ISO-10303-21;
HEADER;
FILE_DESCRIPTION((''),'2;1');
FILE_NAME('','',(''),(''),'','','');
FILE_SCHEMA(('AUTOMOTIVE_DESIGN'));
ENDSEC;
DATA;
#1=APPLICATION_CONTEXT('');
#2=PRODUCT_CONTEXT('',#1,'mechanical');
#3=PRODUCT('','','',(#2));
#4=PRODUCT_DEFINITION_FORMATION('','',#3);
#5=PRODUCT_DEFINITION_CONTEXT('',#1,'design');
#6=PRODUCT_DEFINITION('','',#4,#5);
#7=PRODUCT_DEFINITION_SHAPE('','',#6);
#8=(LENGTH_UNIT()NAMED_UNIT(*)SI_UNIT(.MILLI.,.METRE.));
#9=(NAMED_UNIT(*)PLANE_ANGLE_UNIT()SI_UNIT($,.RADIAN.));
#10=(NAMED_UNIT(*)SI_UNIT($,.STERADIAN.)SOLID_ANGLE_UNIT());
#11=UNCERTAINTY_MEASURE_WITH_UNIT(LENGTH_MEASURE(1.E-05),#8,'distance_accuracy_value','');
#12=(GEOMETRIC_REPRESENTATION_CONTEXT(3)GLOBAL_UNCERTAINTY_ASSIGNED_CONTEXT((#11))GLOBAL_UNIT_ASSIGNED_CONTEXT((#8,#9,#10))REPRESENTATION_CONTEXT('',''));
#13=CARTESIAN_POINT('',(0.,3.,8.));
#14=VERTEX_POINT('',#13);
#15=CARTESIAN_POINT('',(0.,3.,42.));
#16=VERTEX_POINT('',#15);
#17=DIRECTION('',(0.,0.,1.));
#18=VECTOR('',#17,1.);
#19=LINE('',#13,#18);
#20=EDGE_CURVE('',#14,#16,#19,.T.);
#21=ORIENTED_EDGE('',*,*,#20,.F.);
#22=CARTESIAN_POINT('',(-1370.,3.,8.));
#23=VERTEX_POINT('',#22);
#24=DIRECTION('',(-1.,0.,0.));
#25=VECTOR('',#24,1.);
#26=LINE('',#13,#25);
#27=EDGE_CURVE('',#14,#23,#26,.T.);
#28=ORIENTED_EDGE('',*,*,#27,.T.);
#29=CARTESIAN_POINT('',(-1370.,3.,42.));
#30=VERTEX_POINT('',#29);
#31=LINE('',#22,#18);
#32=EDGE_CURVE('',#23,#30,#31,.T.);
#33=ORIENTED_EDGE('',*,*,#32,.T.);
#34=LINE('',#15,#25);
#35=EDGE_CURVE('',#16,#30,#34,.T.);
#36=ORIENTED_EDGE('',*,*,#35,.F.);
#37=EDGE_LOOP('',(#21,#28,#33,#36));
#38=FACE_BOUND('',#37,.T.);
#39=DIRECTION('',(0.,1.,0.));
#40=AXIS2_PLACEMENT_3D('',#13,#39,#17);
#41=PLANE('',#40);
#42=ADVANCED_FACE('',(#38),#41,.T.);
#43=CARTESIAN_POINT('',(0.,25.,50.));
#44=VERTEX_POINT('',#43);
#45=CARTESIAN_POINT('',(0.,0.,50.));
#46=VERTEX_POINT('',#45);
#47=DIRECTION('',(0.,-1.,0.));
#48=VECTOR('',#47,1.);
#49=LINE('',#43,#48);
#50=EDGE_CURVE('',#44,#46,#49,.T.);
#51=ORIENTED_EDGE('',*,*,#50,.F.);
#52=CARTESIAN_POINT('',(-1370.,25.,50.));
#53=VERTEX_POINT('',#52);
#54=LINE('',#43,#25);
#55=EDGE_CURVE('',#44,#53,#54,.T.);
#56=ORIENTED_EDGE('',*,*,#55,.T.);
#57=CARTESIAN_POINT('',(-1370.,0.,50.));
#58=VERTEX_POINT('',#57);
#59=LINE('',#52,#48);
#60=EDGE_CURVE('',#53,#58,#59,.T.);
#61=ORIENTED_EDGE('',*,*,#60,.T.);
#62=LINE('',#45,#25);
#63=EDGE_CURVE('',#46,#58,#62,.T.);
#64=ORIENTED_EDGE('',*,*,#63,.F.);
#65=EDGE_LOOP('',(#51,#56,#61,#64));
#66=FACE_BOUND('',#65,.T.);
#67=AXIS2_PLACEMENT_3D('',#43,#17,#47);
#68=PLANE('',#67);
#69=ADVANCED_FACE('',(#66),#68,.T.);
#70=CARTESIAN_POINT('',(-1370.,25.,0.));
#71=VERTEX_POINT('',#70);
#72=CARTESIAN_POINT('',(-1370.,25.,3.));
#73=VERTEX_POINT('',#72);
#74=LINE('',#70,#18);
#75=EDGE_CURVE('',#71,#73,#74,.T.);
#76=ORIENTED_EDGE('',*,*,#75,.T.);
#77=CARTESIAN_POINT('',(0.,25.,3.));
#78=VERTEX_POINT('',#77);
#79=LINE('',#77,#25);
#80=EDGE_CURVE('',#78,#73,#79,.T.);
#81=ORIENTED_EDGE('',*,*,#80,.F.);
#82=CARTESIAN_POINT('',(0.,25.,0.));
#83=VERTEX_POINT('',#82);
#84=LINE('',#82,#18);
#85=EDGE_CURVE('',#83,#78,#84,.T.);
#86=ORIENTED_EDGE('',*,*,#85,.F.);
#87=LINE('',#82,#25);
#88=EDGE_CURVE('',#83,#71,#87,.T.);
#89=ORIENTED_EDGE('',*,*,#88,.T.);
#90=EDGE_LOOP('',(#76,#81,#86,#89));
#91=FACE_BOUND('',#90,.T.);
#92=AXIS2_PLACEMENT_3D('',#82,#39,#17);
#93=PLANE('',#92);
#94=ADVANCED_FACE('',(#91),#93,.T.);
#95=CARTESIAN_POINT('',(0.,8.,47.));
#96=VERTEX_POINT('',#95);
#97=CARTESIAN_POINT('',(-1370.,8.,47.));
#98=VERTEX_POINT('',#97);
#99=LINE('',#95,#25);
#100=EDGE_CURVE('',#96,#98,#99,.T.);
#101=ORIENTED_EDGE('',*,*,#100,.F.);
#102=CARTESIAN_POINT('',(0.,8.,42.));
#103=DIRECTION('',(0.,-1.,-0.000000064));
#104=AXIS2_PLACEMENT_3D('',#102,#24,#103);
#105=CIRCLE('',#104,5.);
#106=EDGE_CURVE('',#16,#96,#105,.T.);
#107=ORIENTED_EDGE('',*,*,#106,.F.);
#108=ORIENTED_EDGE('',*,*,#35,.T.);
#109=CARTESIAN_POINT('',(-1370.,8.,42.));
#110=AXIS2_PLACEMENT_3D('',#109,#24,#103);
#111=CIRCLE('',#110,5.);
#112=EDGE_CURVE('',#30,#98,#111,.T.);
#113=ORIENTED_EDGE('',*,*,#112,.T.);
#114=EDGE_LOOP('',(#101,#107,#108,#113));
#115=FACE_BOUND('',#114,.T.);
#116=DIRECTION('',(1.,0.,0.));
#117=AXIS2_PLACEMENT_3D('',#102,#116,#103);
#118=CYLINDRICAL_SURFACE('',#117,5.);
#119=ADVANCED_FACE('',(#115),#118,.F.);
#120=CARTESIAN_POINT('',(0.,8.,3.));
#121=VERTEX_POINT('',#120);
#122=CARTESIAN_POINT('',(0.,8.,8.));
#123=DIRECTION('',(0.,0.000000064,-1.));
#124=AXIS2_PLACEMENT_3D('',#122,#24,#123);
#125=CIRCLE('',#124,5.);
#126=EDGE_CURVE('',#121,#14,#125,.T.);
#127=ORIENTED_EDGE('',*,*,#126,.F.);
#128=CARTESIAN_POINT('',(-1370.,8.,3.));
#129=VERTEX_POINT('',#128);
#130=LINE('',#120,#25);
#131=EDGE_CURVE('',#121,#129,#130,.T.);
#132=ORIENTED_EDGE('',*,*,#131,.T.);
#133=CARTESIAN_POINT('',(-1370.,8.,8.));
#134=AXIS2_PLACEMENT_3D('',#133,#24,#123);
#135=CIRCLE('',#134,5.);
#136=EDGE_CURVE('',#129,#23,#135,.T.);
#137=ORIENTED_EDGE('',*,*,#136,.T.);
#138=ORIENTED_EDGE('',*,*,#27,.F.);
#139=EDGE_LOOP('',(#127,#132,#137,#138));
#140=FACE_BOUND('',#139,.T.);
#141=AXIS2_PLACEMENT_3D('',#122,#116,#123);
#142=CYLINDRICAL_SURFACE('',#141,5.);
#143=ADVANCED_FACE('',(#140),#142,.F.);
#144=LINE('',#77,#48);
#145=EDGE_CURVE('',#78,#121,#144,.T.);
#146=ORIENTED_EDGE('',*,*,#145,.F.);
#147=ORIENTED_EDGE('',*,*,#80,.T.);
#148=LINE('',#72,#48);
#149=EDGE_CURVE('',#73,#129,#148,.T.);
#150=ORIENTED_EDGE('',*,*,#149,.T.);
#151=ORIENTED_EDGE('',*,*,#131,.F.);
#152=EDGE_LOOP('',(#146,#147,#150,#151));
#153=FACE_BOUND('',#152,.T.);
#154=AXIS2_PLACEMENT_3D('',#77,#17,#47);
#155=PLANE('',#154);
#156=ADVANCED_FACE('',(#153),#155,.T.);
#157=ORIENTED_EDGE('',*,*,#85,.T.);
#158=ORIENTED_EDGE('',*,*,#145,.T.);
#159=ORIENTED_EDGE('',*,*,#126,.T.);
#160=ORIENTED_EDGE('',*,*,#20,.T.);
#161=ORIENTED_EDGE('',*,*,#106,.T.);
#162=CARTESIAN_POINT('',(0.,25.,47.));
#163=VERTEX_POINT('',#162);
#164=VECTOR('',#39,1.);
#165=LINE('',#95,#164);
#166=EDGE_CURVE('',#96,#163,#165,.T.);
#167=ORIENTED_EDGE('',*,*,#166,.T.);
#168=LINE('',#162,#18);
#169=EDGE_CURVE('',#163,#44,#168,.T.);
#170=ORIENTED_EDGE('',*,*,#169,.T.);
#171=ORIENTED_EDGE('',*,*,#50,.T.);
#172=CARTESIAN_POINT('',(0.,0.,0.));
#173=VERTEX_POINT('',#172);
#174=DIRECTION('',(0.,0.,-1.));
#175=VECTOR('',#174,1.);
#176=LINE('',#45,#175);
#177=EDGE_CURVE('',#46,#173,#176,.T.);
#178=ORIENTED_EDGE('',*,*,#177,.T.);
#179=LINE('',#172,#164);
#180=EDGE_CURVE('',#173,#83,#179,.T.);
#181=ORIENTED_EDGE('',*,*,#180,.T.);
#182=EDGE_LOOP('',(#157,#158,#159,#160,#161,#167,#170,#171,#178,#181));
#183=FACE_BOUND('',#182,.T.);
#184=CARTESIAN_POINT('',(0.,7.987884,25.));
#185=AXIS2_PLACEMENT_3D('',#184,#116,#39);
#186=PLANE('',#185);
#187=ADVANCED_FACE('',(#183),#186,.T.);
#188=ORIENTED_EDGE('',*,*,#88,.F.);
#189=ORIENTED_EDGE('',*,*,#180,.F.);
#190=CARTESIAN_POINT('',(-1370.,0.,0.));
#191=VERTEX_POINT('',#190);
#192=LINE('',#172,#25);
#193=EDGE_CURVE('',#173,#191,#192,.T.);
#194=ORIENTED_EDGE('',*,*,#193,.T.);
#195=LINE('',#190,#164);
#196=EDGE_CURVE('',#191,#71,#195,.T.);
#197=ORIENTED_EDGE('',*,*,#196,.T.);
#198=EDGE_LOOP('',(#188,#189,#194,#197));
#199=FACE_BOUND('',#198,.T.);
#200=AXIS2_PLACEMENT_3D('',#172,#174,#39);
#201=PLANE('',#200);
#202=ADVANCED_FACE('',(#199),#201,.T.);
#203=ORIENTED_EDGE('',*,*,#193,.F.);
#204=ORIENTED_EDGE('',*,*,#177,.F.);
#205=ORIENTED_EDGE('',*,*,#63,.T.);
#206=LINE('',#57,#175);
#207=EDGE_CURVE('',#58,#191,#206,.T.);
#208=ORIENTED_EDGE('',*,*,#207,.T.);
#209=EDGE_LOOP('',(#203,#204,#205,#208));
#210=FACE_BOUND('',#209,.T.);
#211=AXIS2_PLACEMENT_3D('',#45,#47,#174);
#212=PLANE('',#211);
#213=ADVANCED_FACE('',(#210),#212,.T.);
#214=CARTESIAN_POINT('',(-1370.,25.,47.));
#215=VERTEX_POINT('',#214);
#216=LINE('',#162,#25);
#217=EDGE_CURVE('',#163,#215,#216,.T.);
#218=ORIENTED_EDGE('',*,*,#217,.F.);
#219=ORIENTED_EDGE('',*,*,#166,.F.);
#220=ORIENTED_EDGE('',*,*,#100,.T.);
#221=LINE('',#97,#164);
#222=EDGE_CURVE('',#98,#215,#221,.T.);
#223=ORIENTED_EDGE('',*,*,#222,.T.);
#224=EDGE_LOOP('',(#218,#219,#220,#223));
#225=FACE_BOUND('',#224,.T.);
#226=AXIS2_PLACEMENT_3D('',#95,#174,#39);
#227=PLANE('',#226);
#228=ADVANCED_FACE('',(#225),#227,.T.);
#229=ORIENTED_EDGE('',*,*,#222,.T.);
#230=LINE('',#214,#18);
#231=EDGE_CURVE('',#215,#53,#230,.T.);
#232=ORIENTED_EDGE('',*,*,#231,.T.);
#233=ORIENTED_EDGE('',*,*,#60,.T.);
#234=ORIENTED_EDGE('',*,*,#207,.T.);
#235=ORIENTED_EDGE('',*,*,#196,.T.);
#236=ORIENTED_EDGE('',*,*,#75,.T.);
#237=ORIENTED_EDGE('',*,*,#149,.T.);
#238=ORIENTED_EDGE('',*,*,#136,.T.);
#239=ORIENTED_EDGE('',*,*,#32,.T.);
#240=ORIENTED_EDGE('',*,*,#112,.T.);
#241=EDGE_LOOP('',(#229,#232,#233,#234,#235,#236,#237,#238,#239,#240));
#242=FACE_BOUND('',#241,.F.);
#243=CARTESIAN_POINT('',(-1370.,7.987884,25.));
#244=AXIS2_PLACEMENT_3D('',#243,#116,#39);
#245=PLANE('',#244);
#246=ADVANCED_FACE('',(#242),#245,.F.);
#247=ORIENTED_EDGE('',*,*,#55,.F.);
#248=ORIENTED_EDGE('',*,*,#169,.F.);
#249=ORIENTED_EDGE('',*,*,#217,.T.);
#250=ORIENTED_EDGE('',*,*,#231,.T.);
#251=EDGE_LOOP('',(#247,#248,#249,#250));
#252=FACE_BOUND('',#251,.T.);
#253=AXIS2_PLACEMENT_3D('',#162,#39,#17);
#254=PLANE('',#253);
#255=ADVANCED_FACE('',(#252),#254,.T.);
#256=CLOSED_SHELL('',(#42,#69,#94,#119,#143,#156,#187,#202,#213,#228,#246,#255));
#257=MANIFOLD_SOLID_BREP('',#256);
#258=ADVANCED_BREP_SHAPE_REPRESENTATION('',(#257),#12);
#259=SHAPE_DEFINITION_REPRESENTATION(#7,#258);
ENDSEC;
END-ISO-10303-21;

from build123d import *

# Parameters (mm, degrees)
F1_DEPTH = 1370


with BuildPart() as f1:
    # F0 (on Right) → F1 (new body)
    with BuildSketch(Plane.YZ):
        with BuildLine():
            Line((0, 50), (0, 0))
            Line((0, 0), (25, 0))
            Line((25, 0), (25, 3))
            Line((25, 3), (8, 3))
            ThreePointArc((8, 3), (4.464466, 4.464466), (3, 8))
            Line((3, 8), (3, 42))
            ThreePointArc((3, 42), (4.464466, 45.535534), (8, 47))
            Line((8, 47), (25, 47))
            Line((25, 47), (25, 50))
            Line((25, 50), (0, 50))
        make_face()
    extrude(amount=-F1_DEPTH)


solid = f1.part
